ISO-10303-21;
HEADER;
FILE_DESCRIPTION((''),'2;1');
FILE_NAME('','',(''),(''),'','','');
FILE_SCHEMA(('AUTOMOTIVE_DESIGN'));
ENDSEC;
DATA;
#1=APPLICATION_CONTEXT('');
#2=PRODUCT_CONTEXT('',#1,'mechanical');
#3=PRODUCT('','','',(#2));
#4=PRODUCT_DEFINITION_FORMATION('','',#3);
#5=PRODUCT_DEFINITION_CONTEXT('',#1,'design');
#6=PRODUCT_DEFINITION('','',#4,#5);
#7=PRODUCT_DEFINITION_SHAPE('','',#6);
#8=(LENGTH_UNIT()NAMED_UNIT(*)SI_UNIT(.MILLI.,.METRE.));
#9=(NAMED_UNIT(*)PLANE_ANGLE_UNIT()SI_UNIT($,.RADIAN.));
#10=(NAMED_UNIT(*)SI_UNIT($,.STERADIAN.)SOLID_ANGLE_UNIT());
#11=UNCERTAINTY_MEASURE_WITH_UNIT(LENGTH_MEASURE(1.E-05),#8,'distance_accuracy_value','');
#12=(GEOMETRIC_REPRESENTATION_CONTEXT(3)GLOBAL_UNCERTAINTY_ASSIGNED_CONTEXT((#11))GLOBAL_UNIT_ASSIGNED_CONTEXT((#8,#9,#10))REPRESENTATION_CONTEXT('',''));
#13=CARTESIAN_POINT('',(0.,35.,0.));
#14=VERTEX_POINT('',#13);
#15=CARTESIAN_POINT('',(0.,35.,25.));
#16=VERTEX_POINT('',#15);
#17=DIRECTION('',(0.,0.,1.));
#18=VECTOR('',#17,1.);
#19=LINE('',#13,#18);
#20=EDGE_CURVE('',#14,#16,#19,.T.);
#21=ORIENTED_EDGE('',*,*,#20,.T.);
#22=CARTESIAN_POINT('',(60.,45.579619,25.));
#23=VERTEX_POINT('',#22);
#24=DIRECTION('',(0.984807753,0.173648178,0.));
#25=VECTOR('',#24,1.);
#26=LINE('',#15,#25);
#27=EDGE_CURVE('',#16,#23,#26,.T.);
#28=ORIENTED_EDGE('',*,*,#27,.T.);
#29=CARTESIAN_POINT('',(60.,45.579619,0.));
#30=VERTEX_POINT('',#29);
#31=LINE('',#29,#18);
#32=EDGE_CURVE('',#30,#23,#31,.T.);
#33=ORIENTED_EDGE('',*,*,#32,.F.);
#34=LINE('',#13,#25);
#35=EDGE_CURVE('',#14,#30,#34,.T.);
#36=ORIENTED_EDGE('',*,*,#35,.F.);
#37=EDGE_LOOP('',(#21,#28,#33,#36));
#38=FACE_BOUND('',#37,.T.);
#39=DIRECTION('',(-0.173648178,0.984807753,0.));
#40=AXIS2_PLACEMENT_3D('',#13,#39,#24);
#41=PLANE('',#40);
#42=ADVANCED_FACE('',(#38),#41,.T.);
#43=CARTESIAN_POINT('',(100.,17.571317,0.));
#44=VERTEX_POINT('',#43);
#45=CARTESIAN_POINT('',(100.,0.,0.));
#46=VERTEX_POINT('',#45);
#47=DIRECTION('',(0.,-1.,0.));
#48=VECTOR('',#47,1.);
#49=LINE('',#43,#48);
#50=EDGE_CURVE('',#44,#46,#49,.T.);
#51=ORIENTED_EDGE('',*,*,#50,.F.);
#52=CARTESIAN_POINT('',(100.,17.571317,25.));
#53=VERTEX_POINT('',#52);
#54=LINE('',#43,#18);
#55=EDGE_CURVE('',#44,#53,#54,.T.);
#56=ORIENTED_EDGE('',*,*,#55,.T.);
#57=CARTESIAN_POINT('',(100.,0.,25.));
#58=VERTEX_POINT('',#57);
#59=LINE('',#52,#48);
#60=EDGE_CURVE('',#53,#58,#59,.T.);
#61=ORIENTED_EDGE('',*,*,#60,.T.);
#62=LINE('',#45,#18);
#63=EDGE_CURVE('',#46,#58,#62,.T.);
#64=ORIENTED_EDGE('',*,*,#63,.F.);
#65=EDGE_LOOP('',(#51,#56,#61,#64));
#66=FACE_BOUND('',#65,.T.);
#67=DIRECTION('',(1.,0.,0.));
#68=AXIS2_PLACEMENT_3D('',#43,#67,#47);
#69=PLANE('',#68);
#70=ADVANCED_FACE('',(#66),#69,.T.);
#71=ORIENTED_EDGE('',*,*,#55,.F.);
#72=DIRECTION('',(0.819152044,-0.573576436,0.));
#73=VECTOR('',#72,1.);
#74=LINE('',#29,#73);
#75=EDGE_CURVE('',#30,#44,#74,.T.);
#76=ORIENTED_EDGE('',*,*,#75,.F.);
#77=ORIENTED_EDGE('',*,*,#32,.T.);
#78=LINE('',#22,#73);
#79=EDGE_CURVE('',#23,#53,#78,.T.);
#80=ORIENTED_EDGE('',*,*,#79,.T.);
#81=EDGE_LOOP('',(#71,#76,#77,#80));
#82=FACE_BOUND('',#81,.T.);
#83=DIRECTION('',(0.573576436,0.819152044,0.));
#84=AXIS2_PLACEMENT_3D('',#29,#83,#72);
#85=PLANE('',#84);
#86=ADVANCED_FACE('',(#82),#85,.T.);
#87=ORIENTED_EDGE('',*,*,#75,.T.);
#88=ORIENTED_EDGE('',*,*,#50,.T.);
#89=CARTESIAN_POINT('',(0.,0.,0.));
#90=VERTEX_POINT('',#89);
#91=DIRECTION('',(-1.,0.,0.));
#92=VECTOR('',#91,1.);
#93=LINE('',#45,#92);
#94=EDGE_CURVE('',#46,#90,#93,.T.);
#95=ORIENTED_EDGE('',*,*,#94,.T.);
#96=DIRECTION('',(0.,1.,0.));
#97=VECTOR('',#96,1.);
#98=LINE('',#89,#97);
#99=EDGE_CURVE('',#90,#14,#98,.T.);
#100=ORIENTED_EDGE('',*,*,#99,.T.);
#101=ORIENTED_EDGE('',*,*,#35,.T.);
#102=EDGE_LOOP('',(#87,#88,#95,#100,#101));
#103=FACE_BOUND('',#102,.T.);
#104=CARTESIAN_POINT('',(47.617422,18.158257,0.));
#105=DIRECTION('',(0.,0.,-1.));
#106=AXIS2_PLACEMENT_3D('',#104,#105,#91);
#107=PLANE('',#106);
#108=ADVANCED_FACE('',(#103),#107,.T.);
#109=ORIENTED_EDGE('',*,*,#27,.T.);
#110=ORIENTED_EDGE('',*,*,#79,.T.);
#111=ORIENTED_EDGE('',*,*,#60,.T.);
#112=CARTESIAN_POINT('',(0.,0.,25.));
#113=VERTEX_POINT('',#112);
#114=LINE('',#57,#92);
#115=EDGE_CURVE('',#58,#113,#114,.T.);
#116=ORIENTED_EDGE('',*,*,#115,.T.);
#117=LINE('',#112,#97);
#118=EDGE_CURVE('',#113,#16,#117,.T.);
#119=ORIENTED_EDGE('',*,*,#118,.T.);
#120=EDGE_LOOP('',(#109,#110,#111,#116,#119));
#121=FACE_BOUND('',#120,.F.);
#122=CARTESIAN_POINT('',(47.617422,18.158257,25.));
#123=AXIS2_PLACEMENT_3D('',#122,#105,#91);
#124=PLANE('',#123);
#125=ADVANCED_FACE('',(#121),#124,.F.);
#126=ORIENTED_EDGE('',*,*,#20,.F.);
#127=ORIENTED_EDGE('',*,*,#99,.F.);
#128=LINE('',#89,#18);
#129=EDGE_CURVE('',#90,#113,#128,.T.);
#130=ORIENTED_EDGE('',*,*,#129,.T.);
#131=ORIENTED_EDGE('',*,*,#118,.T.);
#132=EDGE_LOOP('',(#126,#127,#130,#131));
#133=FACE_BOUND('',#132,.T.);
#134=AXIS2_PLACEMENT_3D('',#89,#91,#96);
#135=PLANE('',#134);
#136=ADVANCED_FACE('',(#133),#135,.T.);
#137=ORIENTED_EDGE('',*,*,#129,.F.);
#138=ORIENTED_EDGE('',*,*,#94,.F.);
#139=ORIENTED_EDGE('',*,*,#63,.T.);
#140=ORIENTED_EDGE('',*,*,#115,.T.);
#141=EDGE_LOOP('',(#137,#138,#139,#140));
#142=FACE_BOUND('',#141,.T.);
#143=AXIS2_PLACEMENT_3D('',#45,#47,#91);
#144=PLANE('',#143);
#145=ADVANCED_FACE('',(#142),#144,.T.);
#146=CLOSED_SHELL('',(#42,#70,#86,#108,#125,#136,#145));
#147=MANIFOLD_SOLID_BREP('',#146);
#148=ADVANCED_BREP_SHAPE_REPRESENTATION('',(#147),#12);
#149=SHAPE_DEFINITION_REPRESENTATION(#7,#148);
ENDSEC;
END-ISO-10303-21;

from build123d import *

# Parameters (mm, degrees)
BOSS_EXTRUDE1_DEPTH = 25


with BuildPart() as part:
    # Sketch1 → Boss-Extrude1 (new body)
    with BuildSketch(Plane.XY):
        Polygon((0, 0), (0, 35), (60, 45.579618843), (100, 17.571317314), (100, 0), align=None)
    extrude(amount=BOSS_EXTRUDE1_DEPTH)


solid = part.part
